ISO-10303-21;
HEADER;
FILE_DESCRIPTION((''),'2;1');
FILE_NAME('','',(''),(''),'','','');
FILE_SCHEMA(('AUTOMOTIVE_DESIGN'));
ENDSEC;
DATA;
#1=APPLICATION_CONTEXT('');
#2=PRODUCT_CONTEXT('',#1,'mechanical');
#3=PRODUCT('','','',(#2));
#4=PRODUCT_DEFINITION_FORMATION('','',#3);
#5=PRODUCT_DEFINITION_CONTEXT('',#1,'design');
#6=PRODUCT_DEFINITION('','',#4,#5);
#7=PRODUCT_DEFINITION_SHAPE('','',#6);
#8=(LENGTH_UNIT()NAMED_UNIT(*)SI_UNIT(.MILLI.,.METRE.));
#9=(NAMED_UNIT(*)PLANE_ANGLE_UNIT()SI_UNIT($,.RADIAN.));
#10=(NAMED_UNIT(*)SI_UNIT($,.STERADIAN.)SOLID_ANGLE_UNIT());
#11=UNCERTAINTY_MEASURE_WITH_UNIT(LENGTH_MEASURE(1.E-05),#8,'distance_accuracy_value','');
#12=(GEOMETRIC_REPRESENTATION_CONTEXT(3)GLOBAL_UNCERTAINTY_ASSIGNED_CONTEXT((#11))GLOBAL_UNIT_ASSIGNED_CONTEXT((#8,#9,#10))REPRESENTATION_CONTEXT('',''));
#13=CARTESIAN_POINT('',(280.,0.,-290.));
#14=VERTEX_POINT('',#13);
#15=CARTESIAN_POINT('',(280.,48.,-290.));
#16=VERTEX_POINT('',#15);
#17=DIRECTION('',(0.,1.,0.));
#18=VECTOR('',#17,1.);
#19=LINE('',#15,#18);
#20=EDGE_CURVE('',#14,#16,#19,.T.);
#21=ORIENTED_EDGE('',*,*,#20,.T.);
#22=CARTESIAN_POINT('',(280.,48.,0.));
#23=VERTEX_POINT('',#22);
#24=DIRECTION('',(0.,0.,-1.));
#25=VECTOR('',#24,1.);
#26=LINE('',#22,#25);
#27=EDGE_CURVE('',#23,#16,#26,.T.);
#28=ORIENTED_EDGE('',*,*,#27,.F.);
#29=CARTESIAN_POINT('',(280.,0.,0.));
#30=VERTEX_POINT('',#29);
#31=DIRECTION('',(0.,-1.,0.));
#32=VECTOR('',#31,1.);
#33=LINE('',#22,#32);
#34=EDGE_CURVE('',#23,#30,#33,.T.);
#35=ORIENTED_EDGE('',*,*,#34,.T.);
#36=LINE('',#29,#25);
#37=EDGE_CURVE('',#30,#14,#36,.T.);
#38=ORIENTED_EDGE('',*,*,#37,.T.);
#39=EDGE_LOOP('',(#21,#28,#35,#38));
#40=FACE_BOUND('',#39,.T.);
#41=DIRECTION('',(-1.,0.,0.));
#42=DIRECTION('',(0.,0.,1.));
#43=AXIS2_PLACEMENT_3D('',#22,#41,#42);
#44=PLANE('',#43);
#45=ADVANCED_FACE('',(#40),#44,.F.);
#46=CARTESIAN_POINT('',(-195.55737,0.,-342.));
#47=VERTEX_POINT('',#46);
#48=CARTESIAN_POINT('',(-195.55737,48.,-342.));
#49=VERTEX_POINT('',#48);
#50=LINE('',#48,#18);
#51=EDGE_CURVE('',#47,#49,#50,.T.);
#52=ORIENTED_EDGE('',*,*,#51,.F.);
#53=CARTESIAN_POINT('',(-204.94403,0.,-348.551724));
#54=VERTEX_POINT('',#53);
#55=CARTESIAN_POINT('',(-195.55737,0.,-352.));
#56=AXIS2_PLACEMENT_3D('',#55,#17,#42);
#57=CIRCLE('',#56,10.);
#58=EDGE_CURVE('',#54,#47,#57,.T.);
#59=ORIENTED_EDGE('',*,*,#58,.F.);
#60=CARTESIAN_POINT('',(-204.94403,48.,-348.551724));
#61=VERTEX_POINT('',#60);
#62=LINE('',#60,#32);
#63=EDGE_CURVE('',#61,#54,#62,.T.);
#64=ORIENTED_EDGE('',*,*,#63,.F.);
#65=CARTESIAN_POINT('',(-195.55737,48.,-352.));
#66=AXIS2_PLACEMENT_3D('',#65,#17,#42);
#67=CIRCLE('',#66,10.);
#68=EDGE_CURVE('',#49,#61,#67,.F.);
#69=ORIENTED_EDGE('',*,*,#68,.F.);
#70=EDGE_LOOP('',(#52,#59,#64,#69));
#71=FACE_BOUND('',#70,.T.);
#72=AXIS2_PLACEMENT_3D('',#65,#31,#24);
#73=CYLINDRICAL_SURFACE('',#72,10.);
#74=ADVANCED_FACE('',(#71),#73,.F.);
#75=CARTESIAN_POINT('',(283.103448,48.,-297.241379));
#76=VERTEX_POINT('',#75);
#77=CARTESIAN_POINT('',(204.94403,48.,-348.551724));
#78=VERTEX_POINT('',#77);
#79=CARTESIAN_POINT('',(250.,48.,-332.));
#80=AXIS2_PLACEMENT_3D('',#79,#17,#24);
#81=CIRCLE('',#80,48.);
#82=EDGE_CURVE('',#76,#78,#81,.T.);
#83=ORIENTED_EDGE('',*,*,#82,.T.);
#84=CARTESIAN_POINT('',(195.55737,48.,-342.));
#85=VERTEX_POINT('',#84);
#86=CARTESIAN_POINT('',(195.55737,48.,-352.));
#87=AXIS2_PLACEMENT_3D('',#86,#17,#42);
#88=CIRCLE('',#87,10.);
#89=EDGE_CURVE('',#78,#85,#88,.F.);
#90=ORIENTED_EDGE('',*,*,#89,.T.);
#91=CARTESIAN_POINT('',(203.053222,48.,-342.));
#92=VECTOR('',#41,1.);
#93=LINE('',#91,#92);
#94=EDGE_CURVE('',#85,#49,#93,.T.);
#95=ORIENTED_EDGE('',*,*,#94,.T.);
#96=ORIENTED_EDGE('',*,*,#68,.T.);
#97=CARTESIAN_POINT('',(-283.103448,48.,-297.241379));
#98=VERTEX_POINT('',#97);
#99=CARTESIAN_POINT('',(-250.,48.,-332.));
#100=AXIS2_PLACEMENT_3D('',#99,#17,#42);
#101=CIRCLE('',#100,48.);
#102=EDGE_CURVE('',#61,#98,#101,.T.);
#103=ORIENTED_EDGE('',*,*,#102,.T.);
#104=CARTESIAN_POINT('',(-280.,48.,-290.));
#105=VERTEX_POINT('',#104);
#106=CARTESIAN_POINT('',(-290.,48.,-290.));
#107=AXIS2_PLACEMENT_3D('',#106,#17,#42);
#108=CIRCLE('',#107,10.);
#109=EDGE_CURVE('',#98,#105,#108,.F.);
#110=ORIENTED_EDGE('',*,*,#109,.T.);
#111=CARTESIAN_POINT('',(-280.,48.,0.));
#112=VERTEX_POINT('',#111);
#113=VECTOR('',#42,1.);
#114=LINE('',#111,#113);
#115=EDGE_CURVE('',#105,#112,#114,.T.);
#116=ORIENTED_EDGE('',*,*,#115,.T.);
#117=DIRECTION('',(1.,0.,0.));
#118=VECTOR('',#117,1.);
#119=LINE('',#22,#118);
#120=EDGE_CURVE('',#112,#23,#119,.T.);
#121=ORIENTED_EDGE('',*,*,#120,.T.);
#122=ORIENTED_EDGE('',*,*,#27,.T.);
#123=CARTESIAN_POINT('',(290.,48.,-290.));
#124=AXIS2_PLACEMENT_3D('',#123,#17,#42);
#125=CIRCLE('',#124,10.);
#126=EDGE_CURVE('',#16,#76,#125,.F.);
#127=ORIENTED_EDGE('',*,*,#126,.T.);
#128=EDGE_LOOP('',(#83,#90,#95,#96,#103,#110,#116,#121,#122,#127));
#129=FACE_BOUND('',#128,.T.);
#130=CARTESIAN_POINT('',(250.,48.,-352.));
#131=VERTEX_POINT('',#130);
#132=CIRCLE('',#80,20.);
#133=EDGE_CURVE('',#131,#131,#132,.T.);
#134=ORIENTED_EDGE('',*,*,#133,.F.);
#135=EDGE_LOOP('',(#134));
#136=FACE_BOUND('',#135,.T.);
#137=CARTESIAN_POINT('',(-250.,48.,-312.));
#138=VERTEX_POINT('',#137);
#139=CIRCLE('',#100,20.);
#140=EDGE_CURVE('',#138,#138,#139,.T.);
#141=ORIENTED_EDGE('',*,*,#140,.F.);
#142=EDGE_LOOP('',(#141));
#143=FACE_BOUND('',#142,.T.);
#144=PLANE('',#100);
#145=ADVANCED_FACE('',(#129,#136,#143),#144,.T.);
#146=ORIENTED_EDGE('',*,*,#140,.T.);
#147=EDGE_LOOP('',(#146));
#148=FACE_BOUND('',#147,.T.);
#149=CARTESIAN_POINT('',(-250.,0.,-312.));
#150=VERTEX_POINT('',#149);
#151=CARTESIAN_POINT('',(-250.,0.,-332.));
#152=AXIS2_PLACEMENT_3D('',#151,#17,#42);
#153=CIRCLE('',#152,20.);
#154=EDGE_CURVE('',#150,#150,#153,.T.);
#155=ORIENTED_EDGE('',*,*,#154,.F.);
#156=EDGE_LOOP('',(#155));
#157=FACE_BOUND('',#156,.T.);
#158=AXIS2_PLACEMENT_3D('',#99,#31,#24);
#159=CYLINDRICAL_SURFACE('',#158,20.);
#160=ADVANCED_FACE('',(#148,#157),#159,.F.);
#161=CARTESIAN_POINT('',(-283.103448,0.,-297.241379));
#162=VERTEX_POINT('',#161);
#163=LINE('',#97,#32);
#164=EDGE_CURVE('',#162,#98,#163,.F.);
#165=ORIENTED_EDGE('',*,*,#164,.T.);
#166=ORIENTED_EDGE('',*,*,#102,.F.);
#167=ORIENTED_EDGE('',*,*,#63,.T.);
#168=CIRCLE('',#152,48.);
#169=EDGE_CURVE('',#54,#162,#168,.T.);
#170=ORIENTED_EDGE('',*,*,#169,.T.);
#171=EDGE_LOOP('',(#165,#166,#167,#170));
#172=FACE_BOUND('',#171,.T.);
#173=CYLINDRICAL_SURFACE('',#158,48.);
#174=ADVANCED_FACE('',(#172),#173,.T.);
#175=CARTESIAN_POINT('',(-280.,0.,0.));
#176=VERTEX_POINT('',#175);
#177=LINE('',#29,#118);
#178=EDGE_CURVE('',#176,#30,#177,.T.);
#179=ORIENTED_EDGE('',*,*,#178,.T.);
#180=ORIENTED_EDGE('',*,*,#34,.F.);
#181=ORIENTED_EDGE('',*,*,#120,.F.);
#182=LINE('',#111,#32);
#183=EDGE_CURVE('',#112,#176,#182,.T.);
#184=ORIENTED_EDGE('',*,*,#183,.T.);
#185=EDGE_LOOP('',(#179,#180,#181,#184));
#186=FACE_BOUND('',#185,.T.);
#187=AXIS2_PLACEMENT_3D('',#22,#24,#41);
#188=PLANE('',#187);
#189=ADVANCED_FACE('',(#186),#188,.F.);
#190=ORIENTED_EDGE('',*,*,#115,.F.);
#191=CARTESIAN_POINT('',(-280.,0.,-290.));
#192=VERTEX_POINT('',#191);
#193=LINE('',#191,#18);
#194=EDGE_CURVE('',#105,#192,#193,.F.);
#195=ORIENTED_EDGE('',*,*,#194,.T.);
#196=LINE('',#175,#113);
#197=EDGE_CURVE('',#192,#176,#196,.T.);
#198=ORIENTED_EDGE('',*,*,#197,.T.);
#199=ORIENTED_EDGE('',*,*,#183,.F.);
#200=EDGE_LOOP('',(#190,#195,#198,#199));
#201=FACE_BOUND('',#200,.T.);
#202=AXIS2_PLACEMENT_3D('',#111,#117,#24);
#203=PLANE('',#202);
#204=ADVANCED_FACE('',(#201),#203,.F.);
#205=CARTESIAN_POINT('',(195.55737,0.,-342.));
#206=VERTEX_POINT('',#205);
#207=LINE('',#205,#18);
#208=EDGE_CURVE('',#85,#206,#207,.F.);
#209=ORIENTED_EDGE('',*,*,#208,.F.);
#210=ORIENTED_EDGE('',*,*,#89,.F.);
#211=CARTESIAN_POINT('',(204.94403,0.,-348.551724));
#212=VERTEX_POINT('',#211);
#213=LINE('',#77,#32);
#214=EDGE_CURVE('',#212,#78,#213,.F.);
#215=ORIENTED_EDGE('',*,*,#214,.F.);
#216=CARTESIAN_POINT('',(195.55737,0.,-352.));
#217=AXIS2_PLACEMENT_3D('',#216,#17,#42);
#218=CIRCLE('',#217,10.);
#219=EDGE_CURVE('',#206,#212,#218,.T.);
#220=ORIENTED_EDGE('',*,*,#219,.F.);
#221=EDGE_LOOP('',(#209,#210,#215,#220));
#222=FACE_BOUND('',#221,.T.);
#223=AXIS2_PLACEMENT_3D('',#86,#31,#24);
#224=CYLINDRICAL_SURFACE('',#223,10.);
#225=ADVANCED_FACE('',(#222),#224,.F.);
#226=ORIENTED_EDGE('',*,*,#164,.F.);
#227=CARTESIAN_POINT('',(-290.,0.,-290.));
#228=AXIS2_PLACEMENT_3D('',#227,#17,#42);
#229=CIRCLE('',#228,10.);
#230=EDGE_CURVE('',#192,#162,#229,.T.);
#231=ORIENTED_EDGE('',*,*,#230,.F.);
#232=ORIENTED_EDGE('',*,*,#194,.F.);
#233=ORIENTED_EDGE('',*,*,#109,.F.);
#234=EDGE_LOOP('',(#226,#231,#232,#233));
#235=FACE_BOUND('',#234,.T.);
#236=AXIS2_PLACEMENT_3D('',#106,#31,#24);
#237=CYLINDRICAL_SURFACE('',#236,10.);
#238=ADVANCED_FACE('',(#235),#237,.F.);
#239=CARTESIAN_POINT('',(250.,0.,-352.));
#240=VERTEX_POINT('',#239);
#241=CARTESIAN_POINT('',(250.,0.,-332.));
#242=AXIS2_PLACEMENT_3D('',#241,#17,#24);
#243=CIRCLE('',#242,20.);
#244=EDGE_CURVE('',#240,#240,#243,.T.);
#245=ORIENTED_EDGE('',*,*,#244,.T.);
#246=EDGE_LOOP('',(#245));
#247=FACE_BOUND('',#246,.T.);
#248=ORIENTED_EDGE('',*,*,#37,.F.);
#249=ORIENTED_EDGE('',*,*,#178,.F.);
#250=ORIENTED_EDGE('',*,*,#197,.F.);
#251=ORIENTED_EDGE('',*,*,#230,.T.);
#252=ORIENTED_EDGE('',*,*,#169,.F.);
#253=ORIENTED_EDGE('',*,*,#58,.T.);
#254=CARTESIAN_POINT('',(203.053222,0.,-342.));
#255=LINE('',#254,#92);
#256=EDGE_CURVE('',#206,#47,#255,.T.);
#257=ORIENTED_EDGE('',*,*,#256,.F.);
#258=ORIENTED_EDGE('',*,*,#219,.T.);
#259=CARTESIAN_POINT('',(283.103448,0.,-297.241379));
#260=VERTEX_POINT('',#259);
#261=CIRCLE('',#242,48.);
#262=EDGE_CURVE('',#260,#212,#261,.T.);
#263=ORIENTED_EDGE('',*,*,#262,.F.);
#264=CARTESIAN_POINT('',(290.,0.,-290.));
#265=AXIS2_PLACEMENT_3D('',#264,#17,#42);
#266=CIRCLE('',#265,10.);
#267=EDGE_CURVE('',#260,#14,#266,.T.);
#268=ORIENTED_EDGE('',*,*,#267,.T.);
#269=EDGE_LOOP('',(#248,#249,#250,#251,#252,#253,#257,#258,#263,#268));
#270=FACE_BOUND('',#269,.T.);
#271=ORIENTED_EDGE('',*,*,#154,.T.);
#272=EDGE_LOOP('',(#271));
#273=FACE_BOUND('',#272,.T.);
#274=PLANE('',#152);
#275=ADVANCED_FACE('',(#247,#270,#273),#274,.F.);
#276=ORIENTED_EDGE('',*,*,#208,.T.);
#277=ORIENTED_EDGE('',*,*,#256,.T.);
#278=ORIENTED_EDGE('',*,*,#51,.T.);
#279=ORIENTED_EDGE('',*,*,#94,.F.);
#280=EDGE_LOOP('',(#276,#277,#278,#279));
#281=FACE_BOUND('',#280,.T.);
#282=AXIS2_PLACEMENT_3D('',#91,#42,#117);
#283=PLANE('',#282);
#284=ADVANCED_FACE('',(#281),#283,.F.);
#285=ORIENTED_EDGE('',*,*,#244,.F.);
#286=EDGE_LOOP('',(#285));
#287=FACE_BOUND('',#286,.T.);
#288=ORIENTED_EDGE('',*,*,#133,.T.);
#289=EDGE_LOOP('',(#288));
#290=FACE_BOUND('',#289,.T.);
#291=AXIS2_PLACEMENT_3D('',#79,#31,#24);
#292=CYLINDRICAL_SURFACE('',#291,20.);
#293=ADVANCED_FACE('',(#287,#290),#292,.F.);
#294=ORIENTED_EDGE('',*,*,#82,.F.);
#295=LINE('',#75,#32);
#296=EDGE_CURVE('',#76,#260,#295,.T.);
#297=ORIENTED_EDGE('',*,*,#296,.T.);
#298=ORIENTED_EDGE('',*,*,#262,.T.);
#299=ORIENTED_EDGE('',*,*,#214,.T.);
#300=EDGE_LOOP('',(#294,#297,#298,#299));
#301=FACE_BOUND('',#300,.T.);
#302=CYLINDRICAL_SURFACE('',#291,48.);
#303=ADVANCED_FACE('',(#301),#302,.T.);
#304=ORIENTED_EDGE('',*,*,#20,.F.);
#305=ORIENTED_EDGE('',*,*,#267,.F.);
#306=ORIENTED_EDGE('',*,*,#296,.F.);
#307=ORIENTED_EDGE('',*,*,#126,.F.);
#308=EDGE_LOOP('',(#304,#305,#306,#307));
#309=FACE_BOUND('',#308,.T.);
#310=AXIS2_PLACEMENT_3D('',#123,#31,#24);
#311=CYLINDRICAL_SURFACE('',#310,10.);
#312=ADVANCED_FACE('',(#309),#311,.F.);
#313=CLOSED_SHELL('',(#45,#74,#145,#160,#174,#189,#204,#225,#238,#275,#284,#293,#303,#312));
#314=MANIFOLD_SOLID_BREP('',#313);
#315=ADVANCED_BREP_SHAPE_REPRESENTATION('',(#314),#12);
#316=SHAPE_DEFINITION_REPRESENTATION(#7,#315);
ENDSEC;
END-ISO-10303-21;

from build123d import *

# Parameters (mm, degrees)
SKETCH1_R           = 20
BOSS_EXTRUDE1_DEPTH = 48
FILLET1_R           = 10


with BuildPart() as part:
    # Sketch1 → Boss-Extrude1 (new body)
    with BuildSketch(Plane(origin=(0, 0, 0), x_dir=(1, 0, 0), z_dir=(0, 1, 0))):
        with BuildLine():
            Line((280, 0), (-280, 0))
            Line((-280, 0), (-280, 294.53001201))
            ThreePointArc((-280, 294.53001201), (-275.20214801, 372.851581802), (-203.053221623, 342))
            Line((-203.053221623, 342), (203.053221623, 342))
            ThreePointArc((203.053221623, 342), (275.20214801, 372.851581802), (280, 294.53001201))
            Line((280, 294.53001201), (280, 0))
        make_face()
        with Locations((-250, 332)):
            Circle(SKETCH1_R, mode=Mode.SUBTRACT)
        with Locations((250, 332)):
            Circle(SKETCH1_R, mode=Mode.SUBTRACT)
    extrude(amount=BOSS_EXTRUDE1_DEPTH)

    # Fillet1
    fillet1_edges = [part.edges().sort_by_distance(p)[0] for p in [
        (-280, 24, -294.53001201),
        (-203.053221623, 24, -342),
        (203.053221623, 24, -342),
        (280, 24, -294.53001201),
    ]]
    fillet(fillet1_edges, radius=FILLET1_R)


solid = part.part
